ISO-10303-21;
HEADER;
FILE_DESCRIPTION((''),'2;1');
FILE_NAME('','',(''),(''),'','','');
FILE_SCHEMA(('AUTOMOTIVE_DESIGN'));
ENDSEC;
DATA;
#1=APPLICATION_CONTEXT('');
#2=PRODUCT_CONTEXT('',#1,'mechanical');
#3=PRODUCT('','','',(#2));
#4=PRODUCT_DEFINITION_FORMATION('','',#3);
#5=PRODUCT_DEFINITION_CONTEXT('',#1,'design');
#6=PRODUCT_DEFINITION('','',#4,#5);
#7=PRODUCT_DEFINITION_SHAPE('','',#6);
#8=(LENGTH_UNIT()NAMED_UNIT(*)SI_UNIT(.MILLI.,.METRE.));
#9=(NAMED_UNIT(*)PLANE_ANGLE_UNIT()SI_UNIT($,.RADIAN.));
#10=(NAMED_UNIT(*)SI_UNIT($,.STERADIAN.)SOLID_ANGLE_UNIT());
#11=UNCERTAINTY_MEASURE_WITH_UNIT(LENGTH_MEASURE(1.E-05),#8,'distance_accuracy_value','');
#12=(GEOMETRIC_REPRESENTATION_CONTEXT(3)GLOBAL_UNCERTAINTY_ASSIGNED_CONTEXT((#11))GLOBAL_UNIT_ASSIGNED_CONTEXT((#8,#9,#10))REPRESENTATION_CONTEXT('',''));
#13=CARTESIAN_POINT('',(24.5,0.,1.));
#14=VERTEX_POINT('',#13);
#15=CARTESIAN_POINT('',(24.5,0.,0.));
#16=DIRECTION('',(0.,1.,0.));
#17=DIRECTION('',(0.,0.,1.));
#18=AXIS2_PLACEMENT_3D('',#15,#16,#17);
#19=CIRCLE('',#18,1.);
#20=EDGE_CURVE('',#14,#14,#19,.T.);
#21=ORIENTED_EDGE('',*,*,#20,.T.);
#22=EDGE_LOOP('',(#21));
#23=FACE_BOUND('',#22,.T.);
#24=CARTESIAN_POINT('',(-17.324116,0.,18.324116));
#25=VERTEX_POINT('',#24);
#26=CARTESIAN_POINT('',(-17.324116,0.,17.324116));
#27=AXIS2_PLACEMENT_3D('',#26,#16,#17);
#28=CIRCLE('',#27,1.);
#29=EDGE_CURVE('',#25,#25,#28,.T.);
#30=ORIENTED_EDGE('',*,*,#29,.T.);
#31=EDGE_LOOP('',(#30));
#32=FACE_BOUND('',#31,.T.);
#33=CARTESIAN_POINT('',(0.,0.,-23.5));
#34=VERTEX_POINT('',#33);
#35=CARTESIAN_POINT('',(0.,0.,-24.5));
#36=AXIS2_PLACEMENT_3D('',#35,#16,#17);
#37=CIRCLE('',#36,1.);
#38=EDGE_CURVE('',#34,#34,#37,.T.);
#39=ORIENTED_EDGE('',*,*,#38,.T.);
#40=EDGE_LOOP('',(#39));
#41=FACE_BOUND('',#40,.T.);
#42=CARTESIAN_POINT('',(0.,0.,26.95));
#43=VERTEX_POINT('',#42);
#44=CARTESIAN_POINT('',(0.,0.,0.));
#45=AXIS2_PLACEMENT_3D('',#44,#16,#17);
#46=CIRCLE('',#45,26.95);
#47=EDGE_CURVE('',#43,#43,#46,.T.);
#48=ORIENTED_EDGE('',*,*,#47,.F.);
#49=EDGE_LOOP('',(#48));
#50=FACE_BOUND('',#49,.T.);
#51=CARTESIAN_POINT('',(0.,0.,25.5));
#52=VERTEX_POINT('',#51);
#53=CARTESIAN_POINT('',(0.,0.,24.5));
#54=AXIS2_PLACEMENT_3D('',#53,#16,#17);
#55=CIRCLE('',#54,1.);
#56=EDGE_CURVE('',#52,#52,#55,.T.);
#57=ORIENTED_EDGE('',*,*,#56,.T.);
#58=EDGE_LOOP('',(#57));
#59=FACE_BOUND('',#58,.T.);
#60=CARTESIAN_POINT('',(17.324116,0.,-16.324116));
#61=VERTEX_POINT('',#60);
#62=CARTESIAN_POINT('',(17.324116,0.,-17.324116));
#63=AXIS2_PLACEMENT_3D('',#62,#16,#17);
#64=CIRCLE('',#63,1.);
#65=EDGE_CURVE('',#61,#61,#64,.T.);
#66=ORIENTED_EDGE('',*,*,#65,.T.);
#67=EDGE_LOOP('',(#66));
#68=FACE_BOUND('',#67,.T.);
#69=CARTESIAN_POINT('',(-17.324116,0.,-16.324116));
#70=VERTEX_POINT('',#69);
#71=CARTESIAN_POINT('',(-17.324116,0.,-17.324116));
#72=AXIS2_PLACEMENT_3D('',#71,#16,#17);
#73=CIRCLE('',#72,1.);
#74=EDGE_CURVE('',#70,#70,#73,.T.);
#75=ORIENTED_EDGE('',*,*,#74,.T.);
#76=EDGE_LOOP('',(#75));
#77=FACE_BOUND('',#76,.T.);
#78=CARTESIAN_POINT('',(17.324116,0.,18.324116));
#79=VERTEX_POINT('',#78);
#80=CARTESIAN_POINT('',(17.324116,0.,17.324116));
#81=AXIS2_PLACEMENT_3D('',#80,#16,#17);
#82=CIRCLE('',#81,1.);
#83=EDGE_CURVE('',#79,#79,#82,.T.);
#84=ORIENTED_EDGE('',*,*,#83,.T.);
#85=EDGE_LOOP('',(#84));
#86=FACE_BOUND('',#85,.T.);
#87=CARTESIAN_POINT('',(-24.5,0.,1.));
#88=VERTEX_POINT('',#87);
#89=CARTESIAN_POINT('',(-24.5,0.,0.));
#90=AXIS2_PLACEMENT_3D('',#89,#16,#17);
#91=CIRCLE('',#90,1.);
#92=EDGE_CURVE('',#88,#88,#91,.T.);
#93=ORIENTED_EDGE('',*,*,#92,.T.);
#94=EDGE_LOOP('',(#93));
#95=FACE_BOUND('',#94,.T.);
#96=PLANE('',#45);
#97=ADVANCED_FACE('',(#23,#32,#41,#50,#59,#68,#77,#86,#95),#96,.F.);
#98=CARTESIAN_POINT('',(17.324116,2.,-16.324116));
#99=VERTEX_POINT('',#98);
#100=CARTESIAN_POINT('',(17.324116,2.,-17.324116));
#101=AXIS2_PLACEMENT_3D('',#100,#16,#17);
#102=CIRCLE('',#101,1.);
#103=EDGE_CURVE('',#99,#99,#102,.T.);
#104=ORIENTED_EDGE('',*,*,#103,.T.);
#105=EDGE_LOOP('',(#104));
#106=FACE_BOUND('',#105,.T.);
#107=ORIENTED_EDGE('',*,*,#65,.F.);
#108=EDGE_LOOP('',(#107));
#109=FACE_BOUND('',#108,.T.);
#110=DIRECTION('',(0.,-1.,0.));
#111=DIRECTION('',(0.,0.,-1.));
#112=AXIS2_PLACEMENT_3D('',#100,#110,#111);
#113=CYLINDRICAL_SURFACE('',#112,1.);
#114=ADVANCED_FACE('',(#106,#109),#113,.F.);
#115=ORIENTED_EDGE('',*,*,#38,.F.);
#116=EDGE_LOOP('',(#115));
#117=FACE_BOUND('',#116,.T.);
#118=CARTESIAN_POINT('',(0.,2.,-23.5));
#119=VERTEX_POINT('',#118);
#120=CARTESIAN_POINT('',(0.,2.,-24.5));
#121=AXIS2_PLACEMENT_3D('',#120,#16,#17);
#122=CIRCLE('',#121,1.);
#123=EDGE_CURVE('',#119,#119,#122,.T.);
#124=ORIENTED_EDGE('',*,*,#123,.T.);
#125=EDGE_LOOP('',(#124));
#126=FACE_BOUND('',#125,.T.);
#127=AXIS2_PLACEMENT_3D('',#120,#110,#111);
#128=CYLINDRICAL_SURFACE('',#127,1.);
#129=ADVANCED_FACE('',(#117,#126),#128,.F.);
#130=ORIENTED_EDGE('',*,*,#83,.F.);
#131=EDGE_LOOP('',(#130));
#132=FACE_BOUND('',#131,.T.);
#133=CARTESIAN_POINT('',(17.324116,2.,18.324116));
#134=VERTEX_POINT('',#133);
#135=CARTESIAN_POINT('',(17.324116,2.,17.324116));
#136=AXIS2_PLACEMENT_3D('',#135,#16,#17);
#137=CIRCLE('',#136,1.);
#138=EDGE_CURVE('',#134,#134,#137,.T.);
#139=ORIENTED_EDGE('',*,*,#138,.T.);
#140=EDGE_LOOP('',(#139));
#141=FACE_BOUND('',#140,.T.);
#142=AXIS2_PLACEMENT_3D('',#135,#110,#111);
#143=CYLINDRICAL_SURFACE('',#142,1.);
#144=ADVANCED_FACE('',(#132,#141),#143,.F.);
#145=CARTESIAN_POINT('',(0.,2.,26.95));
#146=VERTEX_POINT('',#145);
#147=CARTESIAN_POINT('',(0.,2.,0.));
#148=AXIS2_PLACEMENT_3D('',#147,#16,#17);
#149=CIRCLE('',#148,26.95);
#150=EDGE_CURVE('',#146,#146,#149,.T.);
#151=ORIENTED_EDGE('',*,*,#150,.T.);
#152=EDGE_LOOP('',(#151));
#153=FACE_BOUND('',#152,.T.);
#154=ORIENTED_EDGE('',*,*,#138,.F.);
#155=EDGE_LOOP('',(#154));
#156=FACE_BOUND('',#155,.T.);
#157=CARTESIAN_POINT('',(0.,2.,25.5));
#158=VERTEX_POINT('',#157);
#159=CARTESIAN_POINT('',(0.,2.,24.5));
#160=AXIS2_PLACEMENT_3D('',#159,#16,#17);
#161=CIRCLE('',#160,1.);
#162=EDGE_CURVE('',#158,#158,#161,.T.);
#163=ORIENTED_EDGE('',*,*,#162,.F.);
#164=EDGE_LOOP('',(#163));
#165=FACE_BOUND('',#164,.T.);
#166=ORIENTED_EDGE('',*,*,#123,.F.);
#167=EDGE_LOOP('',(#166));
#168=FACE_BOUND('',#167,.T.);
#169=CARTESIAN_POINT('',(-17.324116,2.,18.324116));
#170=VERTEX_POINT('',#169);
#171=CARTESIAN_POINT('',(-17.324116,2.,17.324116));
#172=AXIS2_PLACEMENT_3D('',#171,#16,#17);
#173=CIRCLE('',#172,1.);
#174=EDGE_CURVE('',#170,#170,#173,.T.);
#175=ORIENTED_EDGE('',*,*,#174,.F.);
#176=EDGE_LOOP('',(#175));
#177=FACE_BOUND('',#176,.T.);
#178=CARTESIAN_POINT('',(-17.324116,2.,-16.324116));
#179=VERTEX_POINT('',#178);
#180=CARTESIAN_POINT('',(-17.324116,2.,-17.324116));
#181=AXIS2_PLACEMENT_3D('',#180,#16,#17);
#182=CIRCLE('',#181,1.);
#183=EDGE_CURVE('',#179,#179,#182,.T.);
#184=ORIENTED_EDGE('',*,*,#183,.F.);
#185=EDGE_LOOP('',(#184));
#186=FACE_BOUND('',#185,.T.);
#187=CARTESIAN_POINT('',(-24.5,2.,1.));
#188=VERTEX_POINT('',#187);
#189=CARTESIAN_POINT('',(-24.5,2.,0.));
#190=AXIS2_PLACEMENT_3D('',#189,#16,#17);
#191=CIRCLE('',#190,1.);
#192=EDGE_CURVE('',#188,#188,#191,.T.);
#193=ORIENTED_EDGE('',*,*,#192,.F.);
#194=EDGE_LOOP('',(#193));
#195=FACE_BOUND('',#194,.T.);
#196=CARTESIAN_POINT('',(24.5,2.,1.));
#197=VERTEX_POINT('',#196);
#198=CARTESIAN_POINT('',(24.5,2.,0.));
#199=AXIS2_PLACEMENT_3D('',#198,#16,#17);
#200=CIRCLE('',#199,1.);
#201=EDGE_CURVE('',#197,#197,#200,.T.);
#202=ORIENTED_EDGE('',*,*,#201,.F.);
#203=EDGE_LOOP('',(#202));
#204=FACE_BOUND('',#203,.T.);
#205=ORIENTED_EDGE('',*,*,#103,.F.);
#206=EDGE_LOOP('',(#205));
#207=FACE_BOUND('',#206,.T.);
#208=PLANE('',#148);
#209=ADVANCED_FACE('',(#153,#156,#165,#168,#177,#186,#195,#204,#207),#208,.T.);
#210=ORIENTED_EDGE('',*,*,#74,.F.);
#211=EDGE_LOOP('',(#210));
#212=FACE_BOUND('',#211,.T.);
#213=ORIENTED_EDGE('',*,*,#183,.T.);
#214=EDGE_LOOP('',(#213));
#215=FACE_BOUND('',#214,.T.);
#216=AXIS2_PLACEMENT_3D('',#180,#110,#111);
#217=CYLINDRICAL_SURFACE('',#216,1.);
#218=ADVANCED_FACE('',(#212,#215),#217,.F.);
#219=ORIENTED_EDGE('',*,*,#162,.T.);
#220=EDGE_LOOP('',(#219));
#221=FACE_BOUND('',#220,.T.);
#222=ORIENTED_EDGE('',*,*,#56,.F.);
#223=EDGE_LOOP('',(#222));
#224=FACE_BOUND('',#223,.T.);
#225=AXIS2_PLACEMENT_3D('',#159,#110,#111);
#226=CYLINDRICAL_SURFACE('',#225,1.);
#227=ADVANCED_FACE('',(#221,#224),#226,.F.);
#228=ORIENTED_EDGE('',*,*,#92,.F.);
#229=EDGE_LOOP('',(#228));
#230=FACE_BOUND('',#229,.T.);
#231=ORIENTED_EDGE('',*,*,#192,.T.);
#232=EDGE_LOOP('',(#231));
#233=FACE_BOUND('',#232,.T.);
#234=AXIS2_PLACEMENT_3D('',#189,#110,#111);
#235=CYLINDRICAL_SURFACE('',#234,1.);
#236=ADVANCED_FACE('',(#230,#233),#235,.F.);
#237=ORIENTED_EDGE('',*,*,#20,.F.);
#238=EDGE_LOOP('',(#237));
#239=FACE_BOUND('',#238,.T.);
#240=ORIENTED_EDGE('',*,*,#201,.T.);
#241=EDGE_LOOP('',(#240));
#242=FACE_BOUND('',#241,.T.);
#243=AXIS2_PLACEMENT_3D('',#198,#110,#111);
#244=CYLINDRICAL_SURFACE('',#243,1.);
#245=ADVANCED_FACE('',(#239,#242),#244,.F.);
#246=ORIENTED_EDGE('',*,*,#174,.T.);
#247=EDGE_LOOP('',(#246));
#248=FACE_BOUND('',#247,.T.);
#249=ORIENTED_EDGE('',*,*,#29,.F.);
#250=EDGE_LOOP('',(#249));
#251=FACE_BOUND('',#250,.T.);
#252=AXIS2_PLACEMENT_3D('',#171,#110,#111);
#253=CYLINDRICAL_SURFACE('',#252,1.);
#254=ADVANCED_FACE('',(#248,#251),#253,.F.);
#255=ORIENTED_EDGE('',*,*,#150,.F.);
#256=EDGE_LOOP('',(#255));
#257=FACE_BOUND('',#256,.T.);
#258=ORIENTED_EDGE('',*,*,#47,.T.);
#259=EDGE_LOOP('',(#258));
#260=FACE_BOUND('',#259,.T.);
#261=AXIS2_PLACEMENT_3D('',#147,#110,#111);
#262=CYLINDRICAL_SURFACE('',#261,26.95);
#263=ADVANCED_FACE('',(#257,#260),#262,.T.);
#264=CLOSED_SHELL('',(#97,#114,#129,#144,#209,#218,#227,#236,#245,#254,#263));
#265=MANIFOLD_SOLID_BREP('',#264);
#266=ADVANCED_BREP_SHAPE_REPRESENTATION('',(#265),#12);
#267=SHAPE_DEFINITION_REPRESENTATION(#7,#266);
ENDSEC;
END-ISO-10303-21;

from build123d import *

# Parameters (mm, degrees)
SKETCH1_R           = 26.95
SKETCH1_R_2         = 1
BOSS_EXTRUDE1_DEPTH = 2


with BuildPart() as part:
    # Sketch1 → Boss-Extrude1 (new body)
    with BuildSketch(Plane(origin=(0, 0, 0), x_dir=(1, 0, 0), z_dir=(0, 1, 0))):
        Circle(SKETCH1_R)
        with Locations((0, 24.5)):
            Circle(SKETCH1_R_2, mode=Mode.SUBTRACT)
        with Locations((17.324116139, 17.324116139)):
            Circle(SKETCH1_R_2, mode=Mode.SUBTRACT)
        with Locations((24.5, 0)):
            Circle(SKETCH1_R_2, mode=Mode.SUBTRACT)
        with Locations((17.324116139, -17.324116139)):
            Circle(SKETCH1_R_2, mode=Mode.SUBTRACT)
        with Locations((0, -24.5)):
            Circle(SKETCH1_R_2, mode=Mode.SUBTRACT)
        with Locations((-17.324116139, -17.324116139)):
            Circle(SKETCH1_R_2, mode=Mode.SUBTRACT)
        with Locations((-24.5, 0)):
            Circle(SKETCH1_R_2, mode=Mode.SUBTRACT)
        with Locations((-17.324116139, 17.324116139)):
            Circle(SKETCH1_R_2, mode=Mode.SUBTRACT)
    extrude(amount=BOSS_EXTRUDE1_DEPTH)


solid = part.part
